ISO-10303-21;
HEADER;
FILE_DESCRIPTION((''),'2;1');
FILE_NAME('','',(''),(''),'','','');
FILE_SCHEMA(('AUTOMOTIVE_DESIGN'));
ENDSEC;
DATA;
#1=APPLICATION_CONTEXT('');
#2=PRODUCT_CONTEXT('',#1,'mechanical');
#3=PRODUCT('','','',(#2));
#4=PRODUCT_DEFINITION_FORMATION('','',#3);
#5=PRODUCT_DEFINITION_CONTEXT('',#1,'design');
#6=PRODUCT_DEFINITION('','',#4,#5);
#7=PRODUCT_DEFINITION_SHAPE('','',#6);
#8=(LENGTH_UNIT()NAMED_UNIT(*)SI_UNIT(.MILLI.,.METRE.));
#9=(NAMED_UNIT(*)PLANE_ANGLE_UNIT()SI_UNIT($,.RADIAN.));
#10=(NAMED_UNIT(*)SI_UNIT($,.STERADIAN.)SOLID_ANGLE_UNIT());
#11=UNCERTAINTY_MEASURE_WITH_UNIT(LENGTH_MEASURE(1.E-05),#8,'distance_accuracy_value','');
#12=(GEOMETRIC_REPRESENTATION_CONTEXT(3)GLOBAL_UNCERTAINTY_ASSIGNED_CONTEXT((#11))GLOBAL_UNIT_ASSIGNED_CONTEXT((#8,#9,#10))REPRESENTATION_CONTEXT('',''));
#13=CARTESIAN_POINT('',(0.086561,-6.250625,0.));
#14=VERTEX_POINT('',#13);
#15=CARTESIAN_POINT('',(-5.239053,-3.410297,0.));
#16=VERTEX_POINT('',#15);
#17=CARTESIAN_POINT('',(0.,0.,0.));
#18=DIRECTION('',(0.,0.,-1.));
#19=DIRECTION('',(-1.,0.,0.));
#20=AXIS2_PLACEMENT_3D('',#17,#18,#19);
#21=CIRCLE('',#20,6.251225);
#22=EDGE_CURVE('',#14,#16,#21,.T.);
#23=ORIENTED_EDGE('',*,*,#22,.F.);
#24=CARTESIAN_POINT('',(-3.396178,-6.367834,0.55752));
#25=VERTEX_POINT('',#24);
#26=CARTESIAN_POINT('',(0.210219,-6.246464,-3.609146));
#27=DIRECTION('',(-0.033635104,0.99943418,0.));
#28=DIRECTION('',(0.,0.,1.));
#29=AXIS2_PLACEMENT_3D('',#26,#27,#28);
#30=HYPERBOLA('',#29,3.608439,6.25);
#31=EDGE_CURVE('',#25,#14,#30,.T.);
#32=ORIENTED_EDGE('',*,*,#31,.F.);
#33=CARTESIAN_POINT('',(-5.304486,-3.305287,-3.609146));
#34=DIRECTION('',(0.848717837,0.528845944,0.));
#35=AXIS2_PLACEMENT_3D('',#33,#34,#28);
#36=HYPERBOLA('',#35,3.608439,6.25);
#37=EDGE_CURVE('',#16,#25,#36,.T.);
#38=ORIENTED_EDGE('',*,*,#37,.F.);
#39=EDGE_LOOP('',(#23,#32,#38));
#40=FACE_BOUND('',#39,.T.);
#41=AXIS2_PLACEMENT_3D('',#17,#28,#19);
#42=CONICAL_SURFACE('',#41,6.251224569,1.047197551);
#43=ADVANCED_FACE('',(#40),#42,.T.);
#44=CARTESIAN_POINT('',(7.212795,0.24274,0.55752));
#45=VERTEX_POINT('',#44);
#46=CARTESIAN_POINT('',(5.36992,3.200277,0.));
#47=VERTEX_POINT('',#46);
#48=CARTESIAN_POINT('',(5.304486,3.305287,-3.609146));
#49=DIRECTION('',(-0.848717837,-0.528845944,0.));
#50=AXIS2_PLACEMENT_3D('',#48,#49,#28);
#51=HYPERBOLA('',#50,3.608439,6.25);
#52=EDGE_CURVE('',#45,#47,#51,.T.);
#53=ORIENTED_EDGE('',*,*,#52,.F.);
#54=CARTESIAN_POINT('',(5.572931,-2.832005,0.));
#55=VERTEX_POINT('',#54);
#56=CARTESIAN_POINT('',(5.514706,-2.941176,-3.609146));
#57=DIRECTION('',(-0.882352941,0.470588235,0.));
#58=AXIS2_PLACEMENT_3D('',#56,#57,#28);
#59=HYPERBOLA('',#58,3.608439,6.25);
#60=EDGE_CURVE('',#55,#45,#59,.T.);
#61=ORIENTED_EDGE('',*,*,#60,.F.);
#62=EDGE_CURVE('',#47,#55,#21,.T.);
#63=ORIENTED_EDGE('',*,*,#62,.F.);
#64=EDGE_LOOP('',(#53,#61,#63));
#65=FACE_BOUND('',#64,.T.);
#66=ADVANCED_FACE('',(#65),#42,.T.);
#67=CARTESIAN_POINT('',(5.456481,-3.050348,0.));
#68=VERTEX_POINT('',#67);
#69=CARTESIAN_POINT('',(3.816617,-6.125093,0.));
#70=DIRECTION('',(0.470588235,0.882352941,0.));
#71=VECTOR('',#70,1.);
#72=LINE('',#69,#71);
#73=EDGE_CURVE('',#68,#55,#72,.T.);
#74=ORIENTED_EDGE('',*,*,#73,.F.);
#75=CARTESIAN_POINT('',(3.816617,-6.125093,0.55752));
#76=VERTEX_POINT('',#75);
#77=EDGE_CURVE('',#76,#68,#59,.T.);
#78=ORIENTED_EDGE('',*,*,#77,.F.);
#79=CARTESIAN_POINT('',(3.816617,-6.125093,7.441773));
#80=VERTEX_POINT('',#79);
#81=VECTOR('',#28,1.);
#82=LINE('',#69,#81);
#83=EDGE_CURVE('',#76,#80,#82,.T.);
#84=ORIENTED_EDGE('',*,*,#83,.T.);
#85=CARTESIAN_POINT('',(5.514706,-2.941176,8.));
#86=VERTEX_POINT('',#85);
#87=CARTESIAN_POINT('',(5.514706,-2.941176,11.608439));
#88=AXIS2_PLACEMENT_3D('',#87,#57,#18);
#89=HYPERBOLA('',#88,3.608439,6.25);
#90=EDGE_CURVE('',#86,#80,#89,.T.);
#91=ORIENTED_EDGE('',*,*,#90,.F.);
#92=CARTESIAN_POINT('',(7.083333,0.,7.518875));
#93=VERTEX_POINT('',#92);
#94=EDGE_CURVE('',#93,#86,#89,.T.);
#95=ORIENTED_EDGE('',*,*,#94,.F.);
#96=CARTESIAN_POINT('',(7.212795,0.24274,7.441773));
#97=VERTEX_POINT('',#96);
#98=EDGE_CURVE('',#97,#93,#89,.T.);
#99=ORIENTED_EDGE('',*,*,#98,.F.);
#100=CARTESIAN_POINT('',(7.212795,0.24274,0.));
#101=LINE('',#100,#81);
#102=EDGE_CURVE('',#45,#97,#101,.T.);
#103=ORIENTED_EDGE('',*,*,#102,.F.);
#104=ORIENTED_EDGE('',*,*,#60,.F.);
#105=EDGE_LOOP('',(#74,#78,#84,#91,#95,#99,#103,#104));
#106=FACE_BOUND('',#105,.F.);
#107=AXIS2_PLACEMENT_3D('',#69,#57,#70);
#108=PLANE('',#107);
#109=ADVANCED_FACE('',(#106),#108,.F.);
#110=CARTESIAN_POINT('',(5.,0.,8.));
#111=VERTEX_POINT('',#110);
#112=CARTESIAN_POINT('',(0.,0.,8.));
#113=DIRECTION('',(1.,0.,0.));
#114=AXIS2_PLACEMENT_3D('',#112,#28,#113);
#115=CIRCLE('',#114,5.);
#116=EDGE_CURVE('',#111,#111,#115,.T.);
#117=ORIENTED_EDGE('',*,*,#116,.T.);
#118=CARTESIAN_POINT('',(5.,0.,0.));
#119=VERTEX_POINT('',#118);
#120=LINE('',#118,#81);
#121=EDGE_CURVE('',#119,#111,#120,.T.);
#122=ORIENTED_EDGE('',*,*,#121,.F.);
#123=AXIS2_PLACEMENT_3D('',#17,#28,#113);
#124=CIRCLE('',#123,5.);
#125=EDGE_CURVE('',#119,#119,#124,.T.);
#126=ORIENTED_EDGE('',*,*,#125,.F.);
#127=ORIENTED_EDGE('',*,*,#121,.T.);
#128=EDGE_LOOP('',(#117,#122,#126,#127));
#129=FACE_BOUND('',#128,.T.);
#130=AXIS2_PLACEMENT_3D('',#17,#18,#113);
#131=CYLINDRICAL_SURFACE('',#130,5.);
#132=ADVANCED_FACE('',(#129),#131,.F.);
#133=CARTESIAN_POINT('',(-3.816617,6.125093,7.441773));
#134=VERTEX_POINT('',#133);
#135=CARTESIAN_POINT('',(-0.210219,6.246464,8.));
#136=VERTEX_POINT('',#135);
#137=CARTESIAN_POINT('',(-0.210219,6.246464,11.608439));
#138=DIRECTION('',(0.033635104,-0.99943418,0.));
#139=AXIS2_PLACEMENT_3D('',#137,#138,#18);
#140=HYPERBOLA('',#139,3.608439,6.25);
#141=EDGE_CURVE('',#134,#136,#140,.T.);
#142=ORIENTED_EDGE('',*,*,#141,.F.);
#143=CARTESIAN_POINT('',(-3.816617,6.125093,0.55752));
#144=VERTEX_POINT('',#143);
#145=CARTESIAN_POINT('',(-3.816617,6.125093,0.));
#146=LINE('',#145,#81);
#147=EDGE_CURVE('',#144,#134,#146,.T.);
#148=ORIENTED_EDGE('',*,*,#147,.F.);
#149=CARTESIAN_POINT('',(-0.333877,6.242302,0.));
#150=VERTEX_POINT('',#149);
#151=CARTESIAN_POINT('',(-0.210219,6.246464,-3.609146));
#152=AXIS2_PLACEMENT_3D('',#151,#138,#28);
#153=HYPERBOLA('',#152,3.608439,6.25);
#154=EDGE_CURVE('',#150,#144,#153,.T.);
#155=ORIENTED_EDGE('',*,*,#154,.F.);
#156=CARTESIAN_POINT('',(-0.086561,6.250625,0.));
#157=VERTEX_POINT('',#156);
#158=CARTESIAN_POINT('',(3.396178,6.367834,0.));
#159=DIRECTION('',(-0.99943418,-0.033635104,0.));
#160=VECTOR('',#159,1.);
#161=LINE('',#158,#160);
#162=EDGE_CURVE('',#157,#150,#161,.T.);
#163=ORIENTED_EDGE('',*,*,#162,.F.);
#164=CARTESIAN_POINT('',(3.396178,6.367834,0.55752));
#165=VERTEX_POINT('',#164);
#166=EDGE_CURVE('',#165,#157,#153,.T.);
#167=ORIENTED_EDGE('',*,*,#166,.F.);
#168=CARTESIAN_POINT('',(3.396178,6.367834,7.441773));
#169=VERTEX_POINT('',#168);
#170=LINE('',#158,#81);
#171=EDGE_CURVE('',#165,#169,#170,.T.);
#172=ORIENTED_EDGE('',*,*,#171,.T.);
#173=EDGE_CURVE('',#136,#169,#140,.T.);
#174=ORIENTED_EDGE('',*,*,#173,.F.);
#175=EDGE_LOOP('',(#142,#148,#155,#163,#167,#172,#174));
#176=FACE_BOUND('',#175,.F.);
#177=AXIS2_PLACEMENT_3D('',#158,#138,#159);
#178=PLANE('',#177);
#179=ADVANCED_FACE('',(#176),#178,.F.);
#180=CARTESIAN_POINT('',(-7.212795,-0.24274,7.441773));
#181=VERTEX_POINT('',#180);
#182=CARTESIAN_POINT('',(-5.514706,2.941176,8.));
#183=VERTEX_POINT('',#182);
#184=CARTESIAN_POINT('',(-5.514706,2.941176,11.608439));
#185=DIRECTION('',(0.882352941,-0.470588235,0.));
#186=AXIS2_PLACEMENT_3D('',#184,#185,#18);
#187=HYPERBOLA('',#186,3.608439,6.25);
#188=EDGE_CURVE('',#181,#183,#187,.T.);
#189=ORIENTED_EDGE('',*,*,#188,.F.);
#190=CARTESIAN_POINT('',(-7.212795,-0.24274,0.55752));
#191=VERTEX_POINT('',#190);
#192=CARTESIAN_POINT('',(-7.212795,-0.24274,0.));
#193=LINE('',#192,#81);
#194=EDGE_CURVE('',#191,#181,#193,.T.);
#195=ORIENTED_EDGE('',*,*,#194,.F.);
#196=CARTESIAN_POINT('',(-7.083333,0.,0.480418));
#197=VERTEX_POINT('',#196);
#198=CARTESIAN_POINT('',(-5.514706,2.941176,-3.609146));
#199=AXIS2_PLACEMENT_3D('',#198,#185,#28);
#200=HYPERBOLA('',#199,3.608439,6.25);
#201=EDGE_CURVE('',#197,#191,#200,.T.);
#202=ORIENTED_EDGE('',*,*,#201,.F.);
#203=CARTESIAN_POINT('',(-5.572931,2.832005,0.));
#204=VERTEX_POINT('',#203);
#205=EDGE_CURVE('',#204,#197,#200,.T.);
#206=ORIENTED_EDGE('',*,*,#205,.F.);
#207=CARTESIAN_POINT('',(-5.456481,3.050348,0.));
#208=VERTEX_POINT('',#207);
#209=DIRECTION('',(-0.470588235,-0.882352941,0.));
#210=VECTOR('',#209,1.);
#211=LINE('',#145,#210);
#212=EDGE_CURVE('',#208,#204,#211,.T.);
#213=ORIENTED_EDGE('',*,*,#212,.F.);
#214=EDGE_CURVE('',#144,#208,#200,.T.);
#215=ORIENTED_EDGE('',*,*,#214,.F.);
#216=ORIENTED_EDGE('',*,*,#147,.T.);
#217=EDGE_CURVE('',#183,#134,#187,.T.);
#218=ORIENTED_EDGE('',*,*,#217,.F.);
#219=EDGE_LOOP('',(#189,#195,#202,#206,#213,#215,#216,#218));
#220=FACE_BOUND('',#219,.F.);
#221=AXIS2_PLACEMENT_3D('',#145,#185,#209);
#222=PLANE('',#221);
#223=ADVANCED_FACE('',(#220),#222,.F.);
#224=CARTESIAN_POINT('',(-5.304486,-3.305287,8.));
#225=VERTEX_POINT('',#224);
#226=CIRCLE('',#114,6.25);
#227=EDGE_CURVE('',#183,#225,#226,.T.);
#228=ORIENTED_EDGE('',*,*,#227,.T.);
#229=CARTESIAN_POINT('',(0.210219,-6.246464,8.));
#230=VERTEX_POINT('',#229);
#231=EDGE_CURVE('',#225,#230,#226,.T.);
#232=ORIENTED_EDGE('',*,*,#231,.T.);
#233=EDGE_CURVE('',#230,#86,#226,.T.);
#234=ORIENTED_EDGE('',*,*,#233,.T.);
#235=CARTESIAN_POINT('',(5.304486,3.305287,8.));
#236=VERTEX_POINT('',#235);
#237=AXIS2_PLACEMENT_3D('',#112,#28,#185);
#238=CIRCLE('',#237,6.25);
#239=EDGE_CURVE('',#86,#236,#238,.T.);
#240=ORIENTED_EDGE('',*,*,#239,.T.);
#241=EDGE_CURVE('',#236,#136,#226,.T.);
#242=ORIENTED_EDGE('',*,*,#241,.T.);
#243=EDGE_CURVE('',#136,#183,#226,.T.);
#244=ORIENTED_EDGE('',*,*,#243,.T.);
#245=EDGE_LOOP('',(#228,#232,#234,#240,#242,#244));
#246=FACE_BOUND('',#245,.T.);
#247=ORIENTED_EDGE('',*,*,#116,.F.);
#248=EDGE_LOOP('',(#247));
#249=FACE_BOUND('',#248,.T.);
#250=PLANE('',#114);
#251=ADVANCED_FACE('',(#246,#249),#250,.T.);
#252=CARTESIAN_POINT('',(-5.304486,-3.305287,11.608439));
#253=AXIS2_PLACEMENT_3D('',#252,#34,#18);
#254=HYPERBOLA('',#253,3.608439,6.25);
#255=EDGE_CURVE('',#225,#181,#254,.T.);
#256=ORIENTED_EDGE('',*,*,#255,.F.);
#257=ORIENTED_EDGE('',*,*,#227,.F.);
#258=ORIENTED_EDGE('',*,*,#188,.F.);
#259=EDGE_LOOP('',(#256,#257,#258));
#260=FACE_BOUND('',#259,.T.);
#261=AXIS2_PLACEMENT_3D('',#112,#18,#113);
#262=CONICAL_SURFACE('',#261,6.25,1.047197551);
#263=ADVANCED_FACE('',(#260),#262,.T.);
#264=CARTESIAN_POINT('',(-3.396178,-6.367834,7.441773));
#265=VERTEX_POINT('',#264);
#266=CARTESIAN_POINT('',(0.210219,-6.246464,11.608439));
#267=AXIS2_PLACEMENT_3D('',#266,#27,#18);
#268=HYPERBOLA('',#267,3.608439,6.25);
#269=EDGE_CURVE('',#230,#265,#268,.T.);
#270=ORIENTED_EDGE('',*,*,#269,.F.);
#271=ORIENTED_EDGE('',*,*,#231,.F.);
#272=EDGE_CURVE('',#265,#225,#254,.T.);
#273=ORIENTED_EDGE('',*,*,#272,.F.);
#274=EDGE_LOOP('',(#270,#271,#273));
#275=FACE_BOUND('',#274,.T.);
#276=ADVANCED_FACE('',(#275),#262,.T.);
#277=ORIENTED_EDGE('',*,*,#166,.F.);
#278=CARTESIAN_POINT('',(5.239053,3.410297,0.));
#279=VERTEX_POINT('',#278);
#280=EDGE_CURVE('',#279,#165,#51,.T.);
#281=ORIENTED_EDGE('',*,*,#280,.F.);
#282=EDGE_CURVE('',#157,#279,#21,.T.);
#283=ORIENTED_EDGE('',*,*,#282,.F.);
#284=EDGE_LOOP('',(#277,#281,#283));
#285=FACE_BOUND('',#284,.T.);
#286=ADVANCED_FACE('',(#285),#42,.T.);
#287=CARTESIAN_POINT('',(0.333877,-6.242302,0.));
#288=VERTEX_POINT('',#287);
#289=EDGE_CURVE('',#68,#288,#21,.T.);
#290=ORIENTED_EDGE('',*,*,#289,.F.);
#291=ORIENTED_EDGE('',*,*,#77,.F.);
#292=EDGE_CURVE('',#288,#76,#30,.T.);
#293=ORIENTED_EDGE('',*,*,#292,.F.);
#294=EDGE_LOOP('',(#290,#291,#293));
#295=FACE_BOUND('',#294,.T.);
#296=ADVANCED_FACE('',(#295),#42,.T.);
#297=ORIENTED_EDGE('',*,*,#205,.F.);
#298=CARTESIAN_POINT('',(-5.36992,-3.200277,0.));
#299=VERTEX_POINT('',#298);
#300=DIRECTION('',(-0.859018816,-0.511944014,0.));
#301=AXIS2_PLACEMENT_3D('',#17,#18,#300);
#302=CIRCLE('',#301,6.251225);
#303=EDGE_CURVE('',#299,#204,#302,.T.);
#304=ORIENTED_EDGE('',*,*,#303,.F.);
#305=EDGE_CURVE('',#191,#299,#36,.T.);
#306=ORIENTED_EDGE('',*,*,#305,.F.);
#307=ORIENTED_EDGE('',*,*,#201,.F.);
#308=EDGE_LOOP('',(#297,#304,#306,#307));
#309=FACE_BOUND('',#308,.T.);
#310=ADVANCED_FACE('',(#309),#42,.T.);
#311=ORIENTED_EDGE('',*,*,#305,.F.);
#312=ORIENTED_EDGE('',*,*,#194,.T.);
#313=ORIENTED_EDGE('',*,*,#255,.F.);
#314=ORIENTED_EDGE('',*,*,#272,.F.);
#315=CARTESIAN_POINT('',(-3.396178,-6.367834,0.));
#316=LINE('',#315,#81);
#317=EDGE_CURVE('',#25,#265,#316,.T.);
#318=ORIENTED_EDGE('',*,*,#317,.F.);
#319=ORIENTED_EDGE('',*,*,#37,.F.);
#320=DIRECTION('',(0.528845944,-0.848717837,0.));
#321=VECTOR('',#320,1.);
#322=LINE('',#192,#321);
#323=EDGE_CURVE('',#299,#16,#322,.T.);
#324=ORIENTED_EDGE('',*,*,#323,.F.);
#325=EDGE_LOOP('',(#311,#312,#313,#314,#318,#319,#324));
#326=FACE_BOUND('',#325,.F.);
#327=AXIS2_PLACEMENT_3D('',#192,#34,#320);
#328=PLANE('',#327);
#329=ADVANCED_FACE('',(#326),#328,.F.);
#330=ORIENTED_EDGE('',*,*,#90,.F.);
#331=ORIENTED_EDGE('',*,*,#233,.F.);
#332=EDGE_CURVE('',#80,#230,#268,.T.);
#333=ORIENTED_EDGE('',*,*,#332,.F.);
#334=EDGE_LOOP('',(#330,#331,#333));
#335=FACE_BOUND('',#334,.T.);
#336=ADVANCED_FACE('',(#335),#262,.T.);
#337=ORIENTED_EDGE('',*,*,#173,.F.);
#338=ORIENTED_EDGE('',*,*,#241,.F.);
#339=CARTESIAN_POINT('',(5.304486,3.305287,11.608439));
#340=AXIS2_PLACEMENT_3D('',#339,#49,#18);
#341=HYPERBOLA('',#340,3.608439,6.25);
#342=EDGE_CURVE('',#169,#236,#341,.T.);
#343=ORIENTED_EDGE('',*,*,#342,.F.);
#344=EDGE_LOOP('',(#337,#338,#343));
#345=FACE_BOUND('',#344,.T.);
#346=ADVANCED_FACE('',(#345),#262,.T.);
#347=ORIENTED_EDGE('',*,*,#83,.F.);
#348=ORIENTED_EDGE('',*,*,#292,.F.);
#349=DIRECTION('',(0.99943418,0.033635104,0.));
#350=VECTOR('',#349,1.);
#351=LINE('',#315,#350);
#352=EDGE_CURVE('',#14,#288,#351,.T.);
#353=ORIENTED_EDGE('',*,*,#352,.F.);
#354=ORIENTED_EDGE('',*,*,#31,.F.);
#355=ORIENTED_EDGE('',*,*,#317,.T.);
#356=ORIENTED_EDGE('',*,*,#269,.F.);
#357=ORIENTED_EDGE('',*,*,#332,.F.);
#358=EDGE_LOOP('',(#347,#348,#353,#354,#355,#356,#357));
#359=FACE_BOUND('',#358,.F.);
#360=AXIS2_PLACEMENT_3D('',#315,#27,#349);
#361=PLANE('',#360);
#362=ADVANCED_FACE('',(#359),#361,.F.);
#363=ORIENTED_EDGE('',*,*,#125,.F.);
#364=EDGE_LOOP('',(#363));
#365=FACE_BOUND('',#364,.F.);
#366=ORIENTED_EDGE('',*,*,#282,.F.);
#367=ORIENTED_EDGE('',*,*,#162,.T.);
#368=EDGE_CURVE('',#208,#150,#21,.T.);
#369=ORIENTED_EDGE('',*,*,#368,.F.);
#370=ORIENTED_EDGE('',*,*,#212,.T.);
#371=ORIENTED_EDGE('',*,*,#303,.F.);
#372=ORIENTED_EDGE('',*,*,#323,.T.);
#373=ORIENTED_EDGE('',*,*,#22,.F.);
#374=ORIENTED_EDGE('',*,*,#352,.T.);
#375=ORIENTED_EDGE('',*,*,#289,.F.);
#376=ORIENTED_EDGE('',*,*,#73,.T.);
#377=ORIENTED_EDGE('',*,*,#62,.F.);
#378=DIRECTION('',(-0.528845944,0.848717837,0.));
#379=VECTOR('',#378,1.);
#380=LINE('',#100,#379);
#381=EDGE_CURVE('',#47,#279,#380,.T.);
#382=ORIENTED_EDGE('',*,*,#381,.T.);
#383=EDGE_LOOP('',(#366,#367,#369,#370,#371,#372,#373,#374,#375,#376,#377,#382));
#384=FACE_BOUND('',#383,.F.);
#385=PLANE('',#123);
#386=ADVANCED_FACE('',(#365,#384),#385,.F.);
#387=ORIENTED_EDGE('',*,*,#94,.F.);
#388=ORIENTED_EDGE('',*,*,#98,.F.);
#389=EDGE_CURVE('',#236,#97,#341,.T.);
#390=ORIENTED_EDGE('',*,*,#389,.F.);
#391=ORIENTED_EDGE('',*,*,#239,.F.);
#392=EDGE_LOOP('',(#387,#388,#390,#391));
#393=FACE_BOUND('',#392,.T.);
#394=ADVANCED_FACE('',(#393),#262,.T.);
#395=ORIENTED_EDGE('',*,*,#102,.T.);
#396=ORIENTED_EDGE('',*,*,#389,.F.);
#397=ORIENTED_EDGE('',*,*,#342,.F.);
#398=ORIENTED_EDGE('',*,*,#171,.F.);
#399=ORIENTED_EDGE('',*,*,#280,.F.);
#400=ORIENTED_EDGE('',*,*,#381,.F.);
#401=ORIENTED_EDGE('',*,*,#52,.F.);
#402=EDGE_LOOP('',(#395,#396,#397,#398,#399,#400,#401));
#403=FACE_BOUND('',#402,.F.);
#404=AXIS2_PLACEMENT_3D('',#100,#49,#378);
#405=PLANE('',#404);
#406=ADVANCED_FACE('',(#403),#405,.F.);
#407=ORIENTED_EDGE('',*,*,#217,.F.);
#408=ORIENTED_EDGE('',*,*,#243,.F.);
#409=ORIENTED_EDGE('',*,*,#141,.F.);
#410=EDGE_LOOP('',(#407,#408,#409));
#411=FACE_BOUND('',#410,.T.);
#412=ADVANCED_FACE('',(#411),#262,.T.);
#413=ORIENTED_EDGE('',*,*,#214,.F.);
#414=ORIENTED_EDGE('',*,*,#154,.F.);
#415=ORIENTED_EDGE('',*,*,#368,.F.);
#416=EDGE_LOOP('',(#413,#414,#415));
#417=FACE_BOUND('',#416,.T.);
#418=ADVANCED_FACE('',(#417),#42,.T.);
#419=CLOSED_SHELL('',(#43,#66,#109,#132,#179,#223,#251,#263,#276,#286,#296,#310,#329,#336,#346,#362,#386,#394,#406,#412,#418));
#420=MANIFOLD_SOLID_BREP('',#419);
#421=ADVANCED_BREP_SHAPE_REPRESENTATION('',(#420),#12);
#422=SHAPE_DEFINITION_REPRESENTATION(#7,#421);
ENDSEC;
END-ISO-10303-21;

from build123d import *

# Parameters (mm, degrees)
SKETCH1_R           = 5
BOSS_EXTRUDE1_DEPTH = 8
SKETCH2_OUTSIDE_W   = 67.404
SKETCH2_OUTSIDE_H   = 65.714
SKETCH2_OUTSIDE_R   = 6.25
CUT_EXTRUDE1_DEPTH  = 13.512942035
CUT_EXTRUDE1_DRAFT  = -60
SKETCH3_OUTSIDE_W   = 67.404
SKETCH3_OUTSIDE_H   = 65.714
SKETCH3_OUTSIDE_R   = 6.251224569
CUT_EXTRUDE2_DEPTH  = 13.512942035
CUT_EXTRUDE2_DRAFT  = -60


with BuildPart() as part:
    # Sketch1 → Boss-Extrude1 (new body)
    with BuildSketch(Plane.XY):
        Polygon((3.396178054, 6.367833851), (-3.816616855, 6.125093396), (-7.212794909, -0.242740455), (-3.396178054, -6.367833851), (3.816616855, -6.125093396), (7.212794909, 0.242740455), align=None)
        Circle(SKETCH1_R, mode=Mode.SUBTRACT)
    extrude(amount=BOSS_EXTRUDE1_DEPTH)


with BuildPart() as cut_extrude1_tool:
    # Sketch2 outside → Cut-Extrude1 (with draft: the straight prism first)
    with BuildSketch(Plane.XY.offset(8)):
        Rectangle(SKETCH2_OUTSIDE_W, SKETCH2_OUTSIDE_H)
        Circle(SKETCH2_OUTSIDE_R, mode=Mode.SUBTRACT)
    extrude(amount=-CUT_EXTRUDE1_DEPTH)
    # Cut-Extrude1: the draft: its side faces are tilted about the plane it starts from
    cut_extrude1_sides = [cut_extrude1_tool.faces().sort_by_distance(p)[0] for p in [
        (0, -32.857, 1.243528983),
        (33.702, 0, 1.243528983),
        (0, 32.857, 1.243528983),
        (-33.702, 0, 1.243528983),
        (-6.25, 0, 1.243528983),
    ]]
    draft(cut_extrude1_sides, Plane.XY.offset(8), CUT_EXTRUDE1_DRAFT)


with BuildPart() as part_1:
    add(part.part)

    # Cut-Extrude1: cut by cut_extrude1_tool
    add(cut_extrude1_tool.part, mode=Mode.SUBTRACT)


with BuildPart() as cut_extrude2_tool:
    # Sketch3 outside → Cut-Extrude2 (with draft: the straight prism first)
    with BuildSketch(Plane(origin=(0, 0, 0), x_dir=(-1, 0, 0), z_dir=(0, 0, -1))):
        Rectangle(SKETCH3_OUTSIDE_W, SKETCH3_OUTSIDE_H)
        Circle(SKETCH3_OUTSIDE_R, mode=Mode.SUBTRACT)
    extrude(amount=-CUT_EXTRUDE2_DEPTH)
    # Cut-Extrude2: the draft: its side faces are tilted about the plane it starts from
    cut_extrude2_sides = [cut_extrude2_tool.faces().sort_by_distance(p)[0] for p in [
        (0, -32.857, 6.756471017),
        (-33.702, 0, 6.756471017),
        (0, 32.857, 6.756471017),
        (33.702, 0, 6.756471017),
        (6.251224569, 0, 6.756471017),
    ]]
    draft(cut_extrude2_sides, Plane(origin=(0, 0, 0), x_dir=(-1, 0, 0), z_dir=(0, 0, -1)), CUT_EXTRUDE2_DRAFT)


with BuildPart() as part_2:
    add(part_1.part)

    # Cut-Extrude2: cut by cut_extrude2_tool
    add(cut_extrude2_tool.part, mode=Mode.SUBTRACT)


solid = part_2.part
